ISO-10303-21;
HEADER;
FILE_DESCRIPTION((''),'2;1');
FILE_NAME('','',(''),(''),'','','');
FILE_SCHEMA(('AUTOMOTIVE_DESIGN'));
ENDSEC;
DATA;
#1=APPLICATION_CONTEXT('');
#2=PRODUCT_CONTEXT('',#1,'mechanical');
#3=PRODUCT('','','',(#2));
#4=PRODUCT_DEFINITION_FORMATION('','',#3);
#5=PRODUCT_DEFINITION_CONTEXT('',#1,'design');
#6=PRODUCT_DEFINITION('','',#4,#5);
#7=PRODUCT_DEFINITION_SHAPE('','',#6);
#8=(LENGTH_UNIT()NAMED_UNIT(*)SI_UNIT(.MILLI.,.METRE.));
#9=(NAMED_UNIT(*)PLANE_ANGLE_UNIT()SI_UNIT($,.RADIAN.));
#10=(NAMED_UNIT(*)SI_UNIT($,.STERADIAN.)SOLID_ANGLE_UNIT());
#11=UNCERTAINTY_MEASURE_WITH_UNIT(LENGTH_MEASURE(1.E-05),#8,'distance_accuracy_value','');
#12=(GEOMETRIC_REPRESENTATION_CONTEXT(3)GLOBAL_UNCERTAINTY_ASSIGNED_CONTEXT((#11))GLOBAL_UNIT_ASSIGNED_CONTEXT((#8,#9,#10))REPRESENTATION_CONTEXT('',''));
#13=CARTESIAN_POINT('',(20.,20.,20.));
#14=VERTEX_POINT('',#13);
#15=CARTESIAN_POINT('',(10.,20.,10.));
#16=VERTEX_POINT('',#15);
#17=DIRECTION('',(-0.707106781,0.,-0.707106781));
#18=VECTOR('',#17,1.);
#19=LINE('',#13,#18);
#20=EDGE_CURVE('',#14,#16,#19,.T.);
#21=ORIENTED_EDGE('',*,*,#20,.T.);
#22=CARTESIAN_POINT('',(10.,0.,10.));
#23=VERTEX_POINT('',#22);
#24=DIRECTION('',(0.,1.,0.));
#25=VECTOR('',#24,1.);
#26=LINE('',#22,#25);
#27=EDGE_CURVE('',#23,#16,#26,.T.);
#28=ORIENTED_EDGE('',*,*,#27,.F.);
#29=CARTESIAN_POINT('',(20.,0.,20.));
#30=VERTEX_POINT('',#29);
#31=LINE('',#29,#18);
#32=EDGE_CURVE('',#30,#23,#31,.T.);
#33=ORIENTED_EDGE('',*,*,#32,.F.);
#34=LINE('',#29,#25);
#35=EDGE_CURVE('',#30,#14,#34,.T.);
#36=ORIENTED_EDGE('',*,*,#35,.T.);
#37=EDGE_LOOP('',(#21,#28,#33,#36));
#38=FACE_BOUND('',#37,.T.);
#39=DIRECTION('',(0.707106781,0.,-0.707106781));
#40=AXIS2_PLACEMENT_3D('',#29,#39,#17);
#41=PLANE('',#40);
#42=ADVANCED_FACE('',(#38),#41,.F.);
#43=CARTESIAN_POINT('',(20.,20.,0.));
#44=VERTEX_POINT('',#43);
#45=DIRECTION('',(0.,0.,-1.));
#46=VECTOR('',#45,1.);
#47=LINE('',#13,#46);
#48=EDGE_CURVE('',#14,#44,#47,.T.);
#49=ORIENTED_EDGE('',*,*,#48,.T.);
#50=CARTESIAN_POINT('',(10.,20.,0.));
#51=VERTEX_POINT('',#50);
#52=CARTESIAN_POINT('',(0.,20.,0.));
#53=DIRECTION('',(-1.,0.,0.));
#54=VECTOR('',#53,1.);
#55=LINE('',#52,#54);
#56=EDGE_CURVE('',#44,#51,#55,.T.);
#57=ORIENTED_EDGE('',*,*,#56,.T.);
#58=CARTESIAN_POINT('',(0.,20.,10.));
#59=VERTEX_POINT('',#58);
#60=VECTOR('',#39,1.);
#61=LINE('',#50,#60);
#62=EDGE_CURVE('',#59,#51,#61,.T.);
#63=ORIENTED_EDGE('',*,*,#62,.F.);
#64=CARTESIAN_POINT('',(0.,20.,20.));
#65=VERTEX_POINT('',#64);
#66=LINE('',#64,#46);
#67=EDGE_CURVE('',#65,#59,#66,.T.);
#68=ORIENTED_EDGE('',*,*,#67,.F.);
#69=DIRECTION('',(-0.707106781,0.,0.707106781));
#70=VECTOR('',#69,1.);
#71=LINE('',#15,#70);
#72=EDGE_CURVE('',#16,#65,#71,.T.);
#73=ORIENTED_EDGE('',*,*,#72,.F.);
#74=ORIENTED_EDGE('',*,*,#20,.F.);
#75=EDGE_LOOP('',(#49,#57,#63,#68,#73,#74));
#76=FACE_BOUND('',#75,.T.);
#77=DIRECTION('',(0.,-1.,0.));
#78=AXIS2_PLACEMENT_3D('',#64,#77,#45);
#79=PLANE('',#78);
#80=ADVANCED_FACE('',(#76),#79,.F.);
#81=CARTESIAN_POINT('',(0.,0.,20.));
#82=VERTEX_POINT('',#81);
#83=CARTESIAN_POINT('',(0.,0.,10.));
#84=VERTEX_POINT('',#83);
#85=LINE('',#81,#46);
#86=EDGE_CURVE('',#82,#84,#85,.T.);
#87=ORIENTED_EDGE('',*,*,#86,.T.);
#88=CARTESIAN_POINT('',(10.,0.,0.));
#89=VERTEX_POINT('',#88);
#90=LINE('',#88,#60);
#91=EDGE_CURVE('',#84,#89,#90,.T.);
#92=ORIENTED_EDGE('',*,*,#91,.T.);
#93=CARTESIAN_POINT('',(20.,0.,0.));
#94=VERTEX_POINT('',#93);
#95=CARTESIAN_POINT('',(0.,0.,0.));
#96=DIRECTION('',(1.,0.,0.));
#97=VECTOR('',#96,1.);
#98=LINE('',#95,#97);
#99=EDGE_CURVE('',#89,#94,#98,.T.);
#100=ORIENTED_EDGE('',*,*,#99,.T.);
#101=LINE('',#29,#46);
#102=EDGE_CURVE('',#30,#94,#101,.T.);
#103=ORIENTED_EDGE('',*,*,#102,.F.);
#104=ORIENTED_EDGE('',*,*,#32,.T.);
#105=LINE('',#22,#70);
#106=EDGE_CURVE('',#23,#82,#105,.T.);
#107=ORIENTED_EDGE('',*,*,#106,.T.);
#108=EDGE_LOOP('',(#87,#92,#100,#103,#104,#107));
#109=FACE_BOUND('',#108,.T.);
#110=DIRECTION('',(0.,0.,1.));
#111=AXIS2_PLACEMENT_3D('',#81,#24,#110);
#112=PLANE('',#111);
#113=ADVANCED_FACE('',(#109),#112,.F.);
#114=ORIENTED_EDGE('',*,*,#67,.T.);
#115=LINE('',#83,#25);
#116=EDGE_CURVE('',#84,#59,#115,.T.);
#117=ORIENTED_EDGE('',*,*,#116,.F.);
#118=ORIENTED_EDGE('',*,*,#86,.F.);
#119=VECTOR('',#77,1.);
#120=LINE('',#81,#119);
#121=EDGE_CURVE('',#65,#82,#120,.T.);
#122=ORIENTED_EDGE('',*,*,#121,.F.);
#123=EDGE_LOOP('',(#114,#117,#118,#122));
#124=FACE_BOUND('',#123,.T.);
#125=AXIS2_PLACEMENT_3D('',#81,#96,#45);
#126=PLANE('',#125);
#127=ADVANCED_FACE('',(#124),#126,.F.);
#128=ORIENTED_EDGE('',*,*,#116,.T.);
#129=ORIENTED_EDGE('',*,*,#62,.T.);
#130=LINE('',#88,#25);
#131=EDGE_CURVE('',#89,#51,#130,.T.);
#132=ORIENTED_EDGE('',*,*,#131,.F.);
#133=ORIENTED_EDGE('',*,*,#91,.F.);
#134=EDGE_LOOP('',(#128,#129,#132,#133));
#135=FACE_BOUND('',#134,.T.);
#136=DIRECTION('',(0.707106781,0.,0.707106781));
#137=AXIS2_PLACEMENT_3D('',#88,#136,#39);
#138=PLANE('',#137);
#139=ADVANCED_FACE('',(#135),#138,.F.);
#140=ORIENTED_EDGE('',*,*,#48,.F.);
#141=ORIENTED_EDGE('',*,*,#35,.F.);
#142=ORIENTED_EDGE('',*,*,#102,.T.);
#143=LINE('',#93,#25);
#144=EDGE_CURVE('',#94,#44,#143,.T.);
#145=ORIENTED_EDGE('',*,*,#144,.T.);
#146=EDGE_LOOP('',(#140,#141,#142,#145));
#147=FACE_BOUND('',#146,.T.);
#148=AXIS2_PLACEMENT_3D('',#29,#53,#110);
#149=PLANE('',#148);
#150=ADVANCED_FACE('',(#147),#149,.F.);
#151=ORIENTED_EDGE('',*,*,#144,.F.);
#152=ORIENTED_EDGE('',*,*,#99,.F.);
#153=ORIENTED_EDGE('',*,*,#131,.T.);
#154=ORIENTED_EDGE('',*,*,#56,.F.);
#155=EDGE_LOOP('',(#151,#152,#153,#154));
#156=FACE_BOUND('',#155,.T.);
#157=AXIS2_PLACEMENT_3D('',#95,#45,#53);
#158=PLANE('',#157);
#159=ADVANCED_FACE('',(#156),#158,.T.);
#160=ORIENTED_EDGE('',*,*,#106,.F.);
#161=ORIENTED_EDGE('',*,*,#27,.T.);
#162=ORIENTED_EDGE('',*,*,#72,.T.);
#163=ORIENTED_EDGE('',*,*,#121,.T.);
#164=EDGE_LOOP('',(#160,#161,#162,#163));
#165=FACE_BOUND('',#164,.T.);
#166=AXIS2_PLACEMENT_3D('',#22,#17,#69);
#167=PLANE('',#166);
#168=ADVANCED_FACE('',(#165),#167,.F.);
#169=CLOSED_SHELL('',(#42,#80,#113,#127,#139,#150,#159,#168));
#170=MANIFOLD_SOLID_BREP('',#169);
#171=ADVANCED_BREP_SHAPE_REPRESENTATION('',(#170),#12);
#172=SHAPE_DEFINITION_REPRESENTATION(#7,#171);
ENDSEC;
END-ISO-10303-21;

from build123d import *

# Parameters (mm, degrees)
SKETCH1_W           = 20
SKETCH1_H           = 20
BOSS_EXTRUDE1_DEPTH = 20
CUT_EXTRUDE1_DEPTH  = 20
CUT_EXTRUDE2_DEPTH  = 20


with BuildPart() as part:
    # Sketch1 → Boss-Extrude1 (new body)
    with BuildSketch(Plane.XY):
        with Locations((10, 10)):
            Rectangle(SKETCH1_W, SKETCH1_H)
    extrude(amount=BOSS_EXTRUDE1_DEPTH)

    # Sketch2 → Cut-Extrude1 (cut)
    with BuildSketch(Plane(origin=(0, 20, 0), x_dir=(1, 0, 0), z_dir=(0, 1, 0))):
        Polygon((0, 0), (10, 0), (0, -10), align=None)
    extrude(amount=-CUT_EXTRUDE1_DEPTH, mode=Mode.SUBTRACT)

    # Sketch3 → Cut-Extrude2 (cut)
    with BuildSketch(Plane(origin=(0, 20, 0), x_dir=(1, 0, 0), z_dir=(0, 1, 0))):
        Polygon((20, -20), (10, -10), (0, -20), align=None)
    extrude(amount=-CUT_EXTRUDE2_DEPTH, mode=Mode.SUBTRACT)


solid = part.part
